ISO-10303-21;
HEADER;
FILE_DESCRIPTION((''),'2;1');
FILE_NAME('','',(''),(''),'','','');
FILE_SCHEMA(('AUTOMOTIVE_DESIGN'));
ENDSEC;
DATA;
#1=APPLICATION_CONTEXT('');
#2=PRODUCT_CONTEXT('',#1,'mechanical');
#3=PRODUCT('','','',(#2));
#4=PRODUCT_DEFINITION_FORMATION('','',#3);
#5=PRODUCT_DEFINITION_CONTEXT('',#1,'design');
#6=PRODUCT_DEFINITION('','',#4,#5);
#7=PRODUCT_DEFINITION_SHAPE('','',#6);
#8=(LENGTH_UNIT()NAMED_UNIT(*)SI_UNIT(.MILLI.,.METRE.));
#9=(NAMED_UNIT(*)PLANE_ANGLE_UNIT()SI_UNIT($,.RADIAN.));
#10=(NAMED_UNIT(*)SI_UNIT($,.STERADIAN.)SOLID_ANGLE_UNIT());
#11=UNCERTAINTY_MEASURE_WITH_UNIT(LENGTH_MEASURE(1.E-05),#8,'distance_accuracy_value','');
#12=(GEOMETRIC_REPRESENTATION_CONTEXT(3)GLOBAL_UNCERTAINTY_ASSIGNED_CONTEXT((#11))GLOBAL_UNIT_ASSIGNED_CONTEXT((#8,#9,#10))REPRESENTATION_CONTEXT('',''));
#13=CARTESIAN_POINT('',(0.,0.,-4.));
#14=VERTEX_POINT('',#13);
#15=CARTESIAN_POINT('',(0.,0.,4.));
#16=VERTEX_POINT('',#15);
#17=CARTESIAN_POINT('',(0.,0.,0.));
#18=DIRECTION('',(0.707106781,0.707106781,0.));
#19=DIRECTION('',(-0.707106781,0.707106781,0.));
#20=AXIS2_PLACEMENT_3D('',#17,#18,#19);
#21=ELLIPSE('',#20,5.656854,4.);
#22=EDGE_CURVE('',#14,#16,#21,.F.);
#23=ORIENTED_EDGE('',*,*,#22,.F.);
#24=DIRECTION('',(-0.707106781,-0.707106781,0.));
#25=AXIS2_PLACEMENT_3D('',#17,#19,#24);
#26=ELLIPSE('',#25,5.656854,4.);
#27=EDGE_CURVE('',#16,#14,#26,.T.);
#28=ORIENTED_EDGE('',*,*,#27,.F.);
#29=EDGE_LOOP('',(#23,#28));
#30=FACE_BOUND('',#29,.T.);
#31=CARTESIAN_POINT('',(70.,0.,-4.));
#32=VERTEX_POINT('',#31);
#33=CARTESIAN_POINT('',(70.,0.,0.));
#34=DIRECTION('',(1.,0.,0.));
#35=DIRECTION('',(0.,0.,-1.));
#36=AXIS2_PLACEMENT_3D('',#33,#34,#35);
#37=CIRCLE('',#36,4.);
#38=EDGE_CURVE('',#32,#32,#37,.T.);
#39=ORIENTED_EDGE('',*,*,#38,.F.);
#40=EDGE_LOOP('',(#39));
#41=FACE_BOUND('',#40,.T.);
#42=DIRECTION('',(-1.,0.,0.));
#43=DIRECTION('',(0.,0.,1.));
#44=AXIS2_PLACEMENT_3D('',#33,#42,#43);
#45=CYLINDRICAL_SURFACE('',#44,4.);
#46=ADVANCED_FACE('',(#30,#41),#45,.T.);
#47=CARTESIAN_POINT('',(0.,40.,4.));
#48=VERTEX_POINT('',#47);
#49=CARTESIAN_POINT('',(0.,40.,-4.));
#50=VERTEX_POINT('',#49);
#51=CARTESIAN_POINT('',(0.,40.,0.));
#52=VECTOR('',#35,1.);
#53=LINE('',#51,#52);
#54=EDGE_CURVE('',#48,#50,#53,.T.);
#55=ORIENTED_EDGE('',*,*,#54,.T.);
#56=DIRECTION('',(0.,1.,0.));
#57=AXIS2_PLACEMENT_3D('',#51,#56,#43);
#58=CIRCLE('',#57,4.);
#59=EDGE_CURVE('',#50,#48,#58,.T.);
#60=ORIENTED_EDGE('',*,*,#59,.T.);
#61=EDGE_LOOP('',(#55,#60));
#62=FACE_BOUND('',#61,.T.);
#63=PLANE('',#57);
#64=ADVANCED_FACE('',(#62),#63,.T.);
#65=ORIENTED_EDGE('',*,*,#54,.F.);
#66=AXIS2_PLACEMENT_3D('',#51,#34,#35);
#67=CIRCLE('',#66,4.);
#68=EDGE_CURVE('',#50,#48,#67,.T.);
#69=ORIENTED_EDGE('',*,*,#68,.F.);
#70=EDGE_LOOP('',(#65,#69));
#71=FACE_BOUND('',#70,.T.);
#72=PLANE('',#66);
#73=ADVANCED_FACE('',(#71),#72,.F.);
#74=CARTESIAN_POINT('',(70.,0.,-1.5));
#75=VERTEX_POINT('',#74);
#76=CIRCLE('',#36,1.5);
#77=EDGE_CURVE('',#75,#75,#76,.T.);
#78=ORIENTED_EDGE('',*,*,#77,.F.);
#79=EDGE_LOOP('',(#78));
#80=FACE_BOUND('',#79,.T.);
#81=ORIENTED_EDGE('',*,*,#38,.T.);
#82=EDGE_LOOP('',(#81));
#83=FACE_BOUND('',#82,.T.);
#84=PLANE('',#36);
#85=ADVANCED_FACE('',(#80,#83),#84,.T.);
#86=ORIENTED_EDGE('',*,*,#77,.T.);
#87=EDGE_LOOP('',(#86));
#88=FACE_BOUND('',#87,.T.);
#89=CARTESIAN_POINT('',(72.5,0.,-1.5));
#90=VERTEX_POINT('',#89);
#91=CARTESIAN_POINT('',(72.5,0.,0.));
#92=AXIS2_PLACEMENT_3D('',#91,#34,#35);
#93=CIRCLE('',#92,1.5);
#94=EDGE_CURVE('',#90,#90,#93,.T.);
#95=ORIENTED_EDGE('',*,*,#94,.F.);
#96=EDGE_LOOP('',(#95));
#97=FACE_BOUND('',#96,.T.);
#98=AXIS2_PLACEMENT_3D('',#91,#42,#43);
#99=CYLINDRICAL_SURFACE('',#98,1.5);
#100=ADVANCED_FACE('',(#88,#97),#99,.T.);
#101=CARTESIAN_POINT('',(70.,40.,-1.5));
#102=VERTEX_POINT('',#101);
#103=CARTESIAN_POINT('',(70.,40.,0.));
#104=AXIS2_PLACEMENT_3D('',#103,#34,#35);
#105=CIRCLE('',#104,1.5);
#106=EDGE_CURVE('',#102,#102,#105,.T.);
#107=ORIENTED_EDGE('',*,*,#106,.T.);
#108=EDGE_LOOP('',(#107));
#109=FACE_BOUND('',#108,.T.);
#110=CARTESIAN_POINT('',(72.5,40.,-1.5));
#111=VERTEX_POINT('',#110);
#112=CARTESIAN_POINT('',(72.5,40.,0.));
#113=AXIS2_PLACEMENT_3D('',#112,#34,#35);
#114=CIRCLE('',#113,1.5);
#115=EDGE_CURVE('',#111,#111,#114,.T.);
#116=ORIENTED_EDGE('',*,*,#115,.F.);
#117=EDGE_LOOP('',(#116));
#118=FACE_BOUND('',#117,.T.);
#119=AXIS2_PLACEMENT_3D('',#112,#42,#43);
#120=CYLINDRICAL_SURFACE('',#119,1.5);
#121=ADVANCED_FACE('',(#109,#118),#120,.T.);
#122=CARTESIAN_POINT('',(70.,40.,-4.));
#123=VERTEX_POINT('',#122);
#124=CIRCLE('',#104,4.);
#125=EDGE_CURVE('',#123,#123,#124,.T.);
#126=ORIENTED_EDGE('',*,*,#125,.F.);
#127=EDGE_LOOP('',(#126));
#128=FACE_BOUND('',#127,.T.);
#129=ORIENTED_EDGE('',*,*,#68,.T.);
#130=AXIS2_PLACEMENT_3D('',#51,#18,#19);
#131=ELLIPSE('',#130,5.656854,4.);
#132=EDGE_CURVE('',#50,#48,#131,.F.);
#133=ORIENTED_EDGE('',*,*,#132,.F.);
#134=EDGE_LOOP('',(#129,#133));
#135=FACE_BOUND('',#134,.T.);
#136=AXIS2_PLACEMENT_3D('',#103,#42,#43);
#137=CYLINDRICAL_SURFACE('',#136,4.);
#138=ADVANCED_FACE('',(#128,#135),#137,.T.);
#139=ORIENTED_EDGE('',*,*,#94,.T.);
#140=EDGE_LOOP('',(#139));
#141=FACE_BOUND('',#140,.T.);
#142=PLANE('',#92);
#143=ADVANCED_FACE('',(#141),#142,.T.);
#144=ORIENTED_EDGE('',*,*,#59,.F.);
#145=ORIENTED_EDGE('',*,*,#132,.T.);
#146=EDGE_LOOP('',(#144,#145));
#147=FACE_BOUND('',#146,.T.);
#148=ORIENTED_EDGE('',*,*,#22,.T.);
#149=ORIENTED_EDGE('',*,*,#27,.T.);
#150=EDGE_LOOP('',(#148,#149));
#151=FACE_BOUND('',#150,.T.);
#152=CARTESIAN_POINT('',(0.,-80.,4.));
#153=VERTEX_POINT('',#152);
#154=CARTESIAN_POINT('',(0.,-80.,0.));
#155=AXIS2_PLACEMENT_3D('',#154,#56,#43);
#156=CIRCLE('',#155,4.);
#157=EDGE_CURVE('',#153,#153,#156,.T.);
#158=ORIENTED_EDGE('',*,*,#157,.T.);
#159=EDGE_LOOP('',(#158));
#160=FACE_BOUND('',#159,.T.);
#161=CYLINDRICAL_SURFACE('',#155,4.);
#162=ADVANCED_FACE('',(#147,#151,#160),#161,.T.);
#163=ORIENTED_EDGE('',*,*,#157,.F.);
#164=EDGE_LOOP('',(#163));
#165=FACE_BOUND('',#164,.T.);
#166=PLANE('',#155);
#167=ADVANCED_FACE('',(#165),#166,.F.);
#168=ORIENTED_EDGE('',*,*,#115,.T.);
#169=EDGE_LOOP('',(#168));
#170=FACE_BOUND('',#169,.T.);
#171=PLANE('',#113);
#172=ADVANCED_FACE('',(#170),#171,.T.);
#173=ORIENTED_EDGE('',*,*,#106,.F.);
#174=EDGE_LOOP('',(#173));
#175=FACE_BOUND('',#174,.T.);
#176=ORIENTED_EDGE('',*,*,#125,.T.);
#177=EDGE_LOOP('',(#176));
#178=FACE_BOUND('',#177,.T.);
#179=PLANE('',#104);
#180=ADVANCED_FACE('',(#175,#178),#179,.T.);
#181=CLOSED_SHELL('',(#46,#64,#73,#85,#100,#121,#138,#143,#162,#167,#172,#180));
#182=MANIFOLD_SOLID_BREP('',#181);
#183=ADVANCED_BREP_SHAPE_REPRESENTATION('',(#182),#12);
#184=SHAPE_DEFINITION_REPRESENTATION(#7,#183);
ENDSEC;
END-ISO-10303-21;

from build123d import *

# Parameters (mm, degrees)
SKETCH1_R           = 4
BOSS_EXTRUDE1_DEPTH = 80
SKETCH3_R           = 4
BOSS_EXTRUDE3_DEPTH = 70
BOSS_EXTRUDE4_START = 40
SKETCH4_R           = 4
BOSS_EXTRUDE4_DEPTH = 40
SKETCH5_R           = 4
BOSS_EXTRUDE5_DEPTH = 70
SKETCH7_R           = 1.5
BOSS_EXTRUDE6_DEPTH = 2.5


with BuildPart() as part:
    # Sketch1 → Boss-Extrude1 (new body)
    with BuildSketch(Plane(origin=(0, 0, 0), x_dir=(1, 0, 0), z_dir=(0, 1, 0))):
        with Locations(Location((0, 0, 0), (0, 0, 270))):
            Circle(SKETCH1_R)
    extrude(amount=-BOSS_EXTRUDE1_DEPTH)

    # Sketch3 → Boss-Extrude3 (add)
    with BuildSketch(Plane(origin=(0, 0, 0), x_dir=(0, 0, -1), z_dir=(1, 0, 0))):
        Circle(SKETCH3_R)
    extrude(amount=BOSS_EXTRUDE3_DEPTH)

    # Sketch4 → Boss-Extrude4 (add)
    with BuildSketch(Plane(origin=(0, 0, 0), x_dir=(1, 0, 0), z_dir=(0, 1, 0)).offset(BOSS_EXTRUDE4_START)):
        with Locations(Location((0, 0, 0), (0, 0, 270))):
            Circle(SKETCH4_R)
    extrude(amount=-BOSS_EXTRUDE4_DEPTH)

    # Sketch5 → Boss-Extrude5 (add)
    with BuildSketch(Plane(origin=(0, 0, 0), x_dir=(0, 0, -1), z_dir=(1, 0, 0))):
        with Locations((0, 40)):
            Circle(SKETCH5_R)
    extrude(amount=BOSS_EXTRUDE5_DEPTH)

    # Sketch7 → Boss-Extrude6 (add)
    with BuildSketch(Plane(origin=(70, 0, 0), x_dir=(0, 0, -1), z_dir=(1, 0, 0))):
        with Locations((0, 40)):
            Circle(SKETCH7_R)
        Circle(SKETCH7_R)
    extrude(amount=BOSS_EXTRUDE6_DEPTH)


solid = part.part
